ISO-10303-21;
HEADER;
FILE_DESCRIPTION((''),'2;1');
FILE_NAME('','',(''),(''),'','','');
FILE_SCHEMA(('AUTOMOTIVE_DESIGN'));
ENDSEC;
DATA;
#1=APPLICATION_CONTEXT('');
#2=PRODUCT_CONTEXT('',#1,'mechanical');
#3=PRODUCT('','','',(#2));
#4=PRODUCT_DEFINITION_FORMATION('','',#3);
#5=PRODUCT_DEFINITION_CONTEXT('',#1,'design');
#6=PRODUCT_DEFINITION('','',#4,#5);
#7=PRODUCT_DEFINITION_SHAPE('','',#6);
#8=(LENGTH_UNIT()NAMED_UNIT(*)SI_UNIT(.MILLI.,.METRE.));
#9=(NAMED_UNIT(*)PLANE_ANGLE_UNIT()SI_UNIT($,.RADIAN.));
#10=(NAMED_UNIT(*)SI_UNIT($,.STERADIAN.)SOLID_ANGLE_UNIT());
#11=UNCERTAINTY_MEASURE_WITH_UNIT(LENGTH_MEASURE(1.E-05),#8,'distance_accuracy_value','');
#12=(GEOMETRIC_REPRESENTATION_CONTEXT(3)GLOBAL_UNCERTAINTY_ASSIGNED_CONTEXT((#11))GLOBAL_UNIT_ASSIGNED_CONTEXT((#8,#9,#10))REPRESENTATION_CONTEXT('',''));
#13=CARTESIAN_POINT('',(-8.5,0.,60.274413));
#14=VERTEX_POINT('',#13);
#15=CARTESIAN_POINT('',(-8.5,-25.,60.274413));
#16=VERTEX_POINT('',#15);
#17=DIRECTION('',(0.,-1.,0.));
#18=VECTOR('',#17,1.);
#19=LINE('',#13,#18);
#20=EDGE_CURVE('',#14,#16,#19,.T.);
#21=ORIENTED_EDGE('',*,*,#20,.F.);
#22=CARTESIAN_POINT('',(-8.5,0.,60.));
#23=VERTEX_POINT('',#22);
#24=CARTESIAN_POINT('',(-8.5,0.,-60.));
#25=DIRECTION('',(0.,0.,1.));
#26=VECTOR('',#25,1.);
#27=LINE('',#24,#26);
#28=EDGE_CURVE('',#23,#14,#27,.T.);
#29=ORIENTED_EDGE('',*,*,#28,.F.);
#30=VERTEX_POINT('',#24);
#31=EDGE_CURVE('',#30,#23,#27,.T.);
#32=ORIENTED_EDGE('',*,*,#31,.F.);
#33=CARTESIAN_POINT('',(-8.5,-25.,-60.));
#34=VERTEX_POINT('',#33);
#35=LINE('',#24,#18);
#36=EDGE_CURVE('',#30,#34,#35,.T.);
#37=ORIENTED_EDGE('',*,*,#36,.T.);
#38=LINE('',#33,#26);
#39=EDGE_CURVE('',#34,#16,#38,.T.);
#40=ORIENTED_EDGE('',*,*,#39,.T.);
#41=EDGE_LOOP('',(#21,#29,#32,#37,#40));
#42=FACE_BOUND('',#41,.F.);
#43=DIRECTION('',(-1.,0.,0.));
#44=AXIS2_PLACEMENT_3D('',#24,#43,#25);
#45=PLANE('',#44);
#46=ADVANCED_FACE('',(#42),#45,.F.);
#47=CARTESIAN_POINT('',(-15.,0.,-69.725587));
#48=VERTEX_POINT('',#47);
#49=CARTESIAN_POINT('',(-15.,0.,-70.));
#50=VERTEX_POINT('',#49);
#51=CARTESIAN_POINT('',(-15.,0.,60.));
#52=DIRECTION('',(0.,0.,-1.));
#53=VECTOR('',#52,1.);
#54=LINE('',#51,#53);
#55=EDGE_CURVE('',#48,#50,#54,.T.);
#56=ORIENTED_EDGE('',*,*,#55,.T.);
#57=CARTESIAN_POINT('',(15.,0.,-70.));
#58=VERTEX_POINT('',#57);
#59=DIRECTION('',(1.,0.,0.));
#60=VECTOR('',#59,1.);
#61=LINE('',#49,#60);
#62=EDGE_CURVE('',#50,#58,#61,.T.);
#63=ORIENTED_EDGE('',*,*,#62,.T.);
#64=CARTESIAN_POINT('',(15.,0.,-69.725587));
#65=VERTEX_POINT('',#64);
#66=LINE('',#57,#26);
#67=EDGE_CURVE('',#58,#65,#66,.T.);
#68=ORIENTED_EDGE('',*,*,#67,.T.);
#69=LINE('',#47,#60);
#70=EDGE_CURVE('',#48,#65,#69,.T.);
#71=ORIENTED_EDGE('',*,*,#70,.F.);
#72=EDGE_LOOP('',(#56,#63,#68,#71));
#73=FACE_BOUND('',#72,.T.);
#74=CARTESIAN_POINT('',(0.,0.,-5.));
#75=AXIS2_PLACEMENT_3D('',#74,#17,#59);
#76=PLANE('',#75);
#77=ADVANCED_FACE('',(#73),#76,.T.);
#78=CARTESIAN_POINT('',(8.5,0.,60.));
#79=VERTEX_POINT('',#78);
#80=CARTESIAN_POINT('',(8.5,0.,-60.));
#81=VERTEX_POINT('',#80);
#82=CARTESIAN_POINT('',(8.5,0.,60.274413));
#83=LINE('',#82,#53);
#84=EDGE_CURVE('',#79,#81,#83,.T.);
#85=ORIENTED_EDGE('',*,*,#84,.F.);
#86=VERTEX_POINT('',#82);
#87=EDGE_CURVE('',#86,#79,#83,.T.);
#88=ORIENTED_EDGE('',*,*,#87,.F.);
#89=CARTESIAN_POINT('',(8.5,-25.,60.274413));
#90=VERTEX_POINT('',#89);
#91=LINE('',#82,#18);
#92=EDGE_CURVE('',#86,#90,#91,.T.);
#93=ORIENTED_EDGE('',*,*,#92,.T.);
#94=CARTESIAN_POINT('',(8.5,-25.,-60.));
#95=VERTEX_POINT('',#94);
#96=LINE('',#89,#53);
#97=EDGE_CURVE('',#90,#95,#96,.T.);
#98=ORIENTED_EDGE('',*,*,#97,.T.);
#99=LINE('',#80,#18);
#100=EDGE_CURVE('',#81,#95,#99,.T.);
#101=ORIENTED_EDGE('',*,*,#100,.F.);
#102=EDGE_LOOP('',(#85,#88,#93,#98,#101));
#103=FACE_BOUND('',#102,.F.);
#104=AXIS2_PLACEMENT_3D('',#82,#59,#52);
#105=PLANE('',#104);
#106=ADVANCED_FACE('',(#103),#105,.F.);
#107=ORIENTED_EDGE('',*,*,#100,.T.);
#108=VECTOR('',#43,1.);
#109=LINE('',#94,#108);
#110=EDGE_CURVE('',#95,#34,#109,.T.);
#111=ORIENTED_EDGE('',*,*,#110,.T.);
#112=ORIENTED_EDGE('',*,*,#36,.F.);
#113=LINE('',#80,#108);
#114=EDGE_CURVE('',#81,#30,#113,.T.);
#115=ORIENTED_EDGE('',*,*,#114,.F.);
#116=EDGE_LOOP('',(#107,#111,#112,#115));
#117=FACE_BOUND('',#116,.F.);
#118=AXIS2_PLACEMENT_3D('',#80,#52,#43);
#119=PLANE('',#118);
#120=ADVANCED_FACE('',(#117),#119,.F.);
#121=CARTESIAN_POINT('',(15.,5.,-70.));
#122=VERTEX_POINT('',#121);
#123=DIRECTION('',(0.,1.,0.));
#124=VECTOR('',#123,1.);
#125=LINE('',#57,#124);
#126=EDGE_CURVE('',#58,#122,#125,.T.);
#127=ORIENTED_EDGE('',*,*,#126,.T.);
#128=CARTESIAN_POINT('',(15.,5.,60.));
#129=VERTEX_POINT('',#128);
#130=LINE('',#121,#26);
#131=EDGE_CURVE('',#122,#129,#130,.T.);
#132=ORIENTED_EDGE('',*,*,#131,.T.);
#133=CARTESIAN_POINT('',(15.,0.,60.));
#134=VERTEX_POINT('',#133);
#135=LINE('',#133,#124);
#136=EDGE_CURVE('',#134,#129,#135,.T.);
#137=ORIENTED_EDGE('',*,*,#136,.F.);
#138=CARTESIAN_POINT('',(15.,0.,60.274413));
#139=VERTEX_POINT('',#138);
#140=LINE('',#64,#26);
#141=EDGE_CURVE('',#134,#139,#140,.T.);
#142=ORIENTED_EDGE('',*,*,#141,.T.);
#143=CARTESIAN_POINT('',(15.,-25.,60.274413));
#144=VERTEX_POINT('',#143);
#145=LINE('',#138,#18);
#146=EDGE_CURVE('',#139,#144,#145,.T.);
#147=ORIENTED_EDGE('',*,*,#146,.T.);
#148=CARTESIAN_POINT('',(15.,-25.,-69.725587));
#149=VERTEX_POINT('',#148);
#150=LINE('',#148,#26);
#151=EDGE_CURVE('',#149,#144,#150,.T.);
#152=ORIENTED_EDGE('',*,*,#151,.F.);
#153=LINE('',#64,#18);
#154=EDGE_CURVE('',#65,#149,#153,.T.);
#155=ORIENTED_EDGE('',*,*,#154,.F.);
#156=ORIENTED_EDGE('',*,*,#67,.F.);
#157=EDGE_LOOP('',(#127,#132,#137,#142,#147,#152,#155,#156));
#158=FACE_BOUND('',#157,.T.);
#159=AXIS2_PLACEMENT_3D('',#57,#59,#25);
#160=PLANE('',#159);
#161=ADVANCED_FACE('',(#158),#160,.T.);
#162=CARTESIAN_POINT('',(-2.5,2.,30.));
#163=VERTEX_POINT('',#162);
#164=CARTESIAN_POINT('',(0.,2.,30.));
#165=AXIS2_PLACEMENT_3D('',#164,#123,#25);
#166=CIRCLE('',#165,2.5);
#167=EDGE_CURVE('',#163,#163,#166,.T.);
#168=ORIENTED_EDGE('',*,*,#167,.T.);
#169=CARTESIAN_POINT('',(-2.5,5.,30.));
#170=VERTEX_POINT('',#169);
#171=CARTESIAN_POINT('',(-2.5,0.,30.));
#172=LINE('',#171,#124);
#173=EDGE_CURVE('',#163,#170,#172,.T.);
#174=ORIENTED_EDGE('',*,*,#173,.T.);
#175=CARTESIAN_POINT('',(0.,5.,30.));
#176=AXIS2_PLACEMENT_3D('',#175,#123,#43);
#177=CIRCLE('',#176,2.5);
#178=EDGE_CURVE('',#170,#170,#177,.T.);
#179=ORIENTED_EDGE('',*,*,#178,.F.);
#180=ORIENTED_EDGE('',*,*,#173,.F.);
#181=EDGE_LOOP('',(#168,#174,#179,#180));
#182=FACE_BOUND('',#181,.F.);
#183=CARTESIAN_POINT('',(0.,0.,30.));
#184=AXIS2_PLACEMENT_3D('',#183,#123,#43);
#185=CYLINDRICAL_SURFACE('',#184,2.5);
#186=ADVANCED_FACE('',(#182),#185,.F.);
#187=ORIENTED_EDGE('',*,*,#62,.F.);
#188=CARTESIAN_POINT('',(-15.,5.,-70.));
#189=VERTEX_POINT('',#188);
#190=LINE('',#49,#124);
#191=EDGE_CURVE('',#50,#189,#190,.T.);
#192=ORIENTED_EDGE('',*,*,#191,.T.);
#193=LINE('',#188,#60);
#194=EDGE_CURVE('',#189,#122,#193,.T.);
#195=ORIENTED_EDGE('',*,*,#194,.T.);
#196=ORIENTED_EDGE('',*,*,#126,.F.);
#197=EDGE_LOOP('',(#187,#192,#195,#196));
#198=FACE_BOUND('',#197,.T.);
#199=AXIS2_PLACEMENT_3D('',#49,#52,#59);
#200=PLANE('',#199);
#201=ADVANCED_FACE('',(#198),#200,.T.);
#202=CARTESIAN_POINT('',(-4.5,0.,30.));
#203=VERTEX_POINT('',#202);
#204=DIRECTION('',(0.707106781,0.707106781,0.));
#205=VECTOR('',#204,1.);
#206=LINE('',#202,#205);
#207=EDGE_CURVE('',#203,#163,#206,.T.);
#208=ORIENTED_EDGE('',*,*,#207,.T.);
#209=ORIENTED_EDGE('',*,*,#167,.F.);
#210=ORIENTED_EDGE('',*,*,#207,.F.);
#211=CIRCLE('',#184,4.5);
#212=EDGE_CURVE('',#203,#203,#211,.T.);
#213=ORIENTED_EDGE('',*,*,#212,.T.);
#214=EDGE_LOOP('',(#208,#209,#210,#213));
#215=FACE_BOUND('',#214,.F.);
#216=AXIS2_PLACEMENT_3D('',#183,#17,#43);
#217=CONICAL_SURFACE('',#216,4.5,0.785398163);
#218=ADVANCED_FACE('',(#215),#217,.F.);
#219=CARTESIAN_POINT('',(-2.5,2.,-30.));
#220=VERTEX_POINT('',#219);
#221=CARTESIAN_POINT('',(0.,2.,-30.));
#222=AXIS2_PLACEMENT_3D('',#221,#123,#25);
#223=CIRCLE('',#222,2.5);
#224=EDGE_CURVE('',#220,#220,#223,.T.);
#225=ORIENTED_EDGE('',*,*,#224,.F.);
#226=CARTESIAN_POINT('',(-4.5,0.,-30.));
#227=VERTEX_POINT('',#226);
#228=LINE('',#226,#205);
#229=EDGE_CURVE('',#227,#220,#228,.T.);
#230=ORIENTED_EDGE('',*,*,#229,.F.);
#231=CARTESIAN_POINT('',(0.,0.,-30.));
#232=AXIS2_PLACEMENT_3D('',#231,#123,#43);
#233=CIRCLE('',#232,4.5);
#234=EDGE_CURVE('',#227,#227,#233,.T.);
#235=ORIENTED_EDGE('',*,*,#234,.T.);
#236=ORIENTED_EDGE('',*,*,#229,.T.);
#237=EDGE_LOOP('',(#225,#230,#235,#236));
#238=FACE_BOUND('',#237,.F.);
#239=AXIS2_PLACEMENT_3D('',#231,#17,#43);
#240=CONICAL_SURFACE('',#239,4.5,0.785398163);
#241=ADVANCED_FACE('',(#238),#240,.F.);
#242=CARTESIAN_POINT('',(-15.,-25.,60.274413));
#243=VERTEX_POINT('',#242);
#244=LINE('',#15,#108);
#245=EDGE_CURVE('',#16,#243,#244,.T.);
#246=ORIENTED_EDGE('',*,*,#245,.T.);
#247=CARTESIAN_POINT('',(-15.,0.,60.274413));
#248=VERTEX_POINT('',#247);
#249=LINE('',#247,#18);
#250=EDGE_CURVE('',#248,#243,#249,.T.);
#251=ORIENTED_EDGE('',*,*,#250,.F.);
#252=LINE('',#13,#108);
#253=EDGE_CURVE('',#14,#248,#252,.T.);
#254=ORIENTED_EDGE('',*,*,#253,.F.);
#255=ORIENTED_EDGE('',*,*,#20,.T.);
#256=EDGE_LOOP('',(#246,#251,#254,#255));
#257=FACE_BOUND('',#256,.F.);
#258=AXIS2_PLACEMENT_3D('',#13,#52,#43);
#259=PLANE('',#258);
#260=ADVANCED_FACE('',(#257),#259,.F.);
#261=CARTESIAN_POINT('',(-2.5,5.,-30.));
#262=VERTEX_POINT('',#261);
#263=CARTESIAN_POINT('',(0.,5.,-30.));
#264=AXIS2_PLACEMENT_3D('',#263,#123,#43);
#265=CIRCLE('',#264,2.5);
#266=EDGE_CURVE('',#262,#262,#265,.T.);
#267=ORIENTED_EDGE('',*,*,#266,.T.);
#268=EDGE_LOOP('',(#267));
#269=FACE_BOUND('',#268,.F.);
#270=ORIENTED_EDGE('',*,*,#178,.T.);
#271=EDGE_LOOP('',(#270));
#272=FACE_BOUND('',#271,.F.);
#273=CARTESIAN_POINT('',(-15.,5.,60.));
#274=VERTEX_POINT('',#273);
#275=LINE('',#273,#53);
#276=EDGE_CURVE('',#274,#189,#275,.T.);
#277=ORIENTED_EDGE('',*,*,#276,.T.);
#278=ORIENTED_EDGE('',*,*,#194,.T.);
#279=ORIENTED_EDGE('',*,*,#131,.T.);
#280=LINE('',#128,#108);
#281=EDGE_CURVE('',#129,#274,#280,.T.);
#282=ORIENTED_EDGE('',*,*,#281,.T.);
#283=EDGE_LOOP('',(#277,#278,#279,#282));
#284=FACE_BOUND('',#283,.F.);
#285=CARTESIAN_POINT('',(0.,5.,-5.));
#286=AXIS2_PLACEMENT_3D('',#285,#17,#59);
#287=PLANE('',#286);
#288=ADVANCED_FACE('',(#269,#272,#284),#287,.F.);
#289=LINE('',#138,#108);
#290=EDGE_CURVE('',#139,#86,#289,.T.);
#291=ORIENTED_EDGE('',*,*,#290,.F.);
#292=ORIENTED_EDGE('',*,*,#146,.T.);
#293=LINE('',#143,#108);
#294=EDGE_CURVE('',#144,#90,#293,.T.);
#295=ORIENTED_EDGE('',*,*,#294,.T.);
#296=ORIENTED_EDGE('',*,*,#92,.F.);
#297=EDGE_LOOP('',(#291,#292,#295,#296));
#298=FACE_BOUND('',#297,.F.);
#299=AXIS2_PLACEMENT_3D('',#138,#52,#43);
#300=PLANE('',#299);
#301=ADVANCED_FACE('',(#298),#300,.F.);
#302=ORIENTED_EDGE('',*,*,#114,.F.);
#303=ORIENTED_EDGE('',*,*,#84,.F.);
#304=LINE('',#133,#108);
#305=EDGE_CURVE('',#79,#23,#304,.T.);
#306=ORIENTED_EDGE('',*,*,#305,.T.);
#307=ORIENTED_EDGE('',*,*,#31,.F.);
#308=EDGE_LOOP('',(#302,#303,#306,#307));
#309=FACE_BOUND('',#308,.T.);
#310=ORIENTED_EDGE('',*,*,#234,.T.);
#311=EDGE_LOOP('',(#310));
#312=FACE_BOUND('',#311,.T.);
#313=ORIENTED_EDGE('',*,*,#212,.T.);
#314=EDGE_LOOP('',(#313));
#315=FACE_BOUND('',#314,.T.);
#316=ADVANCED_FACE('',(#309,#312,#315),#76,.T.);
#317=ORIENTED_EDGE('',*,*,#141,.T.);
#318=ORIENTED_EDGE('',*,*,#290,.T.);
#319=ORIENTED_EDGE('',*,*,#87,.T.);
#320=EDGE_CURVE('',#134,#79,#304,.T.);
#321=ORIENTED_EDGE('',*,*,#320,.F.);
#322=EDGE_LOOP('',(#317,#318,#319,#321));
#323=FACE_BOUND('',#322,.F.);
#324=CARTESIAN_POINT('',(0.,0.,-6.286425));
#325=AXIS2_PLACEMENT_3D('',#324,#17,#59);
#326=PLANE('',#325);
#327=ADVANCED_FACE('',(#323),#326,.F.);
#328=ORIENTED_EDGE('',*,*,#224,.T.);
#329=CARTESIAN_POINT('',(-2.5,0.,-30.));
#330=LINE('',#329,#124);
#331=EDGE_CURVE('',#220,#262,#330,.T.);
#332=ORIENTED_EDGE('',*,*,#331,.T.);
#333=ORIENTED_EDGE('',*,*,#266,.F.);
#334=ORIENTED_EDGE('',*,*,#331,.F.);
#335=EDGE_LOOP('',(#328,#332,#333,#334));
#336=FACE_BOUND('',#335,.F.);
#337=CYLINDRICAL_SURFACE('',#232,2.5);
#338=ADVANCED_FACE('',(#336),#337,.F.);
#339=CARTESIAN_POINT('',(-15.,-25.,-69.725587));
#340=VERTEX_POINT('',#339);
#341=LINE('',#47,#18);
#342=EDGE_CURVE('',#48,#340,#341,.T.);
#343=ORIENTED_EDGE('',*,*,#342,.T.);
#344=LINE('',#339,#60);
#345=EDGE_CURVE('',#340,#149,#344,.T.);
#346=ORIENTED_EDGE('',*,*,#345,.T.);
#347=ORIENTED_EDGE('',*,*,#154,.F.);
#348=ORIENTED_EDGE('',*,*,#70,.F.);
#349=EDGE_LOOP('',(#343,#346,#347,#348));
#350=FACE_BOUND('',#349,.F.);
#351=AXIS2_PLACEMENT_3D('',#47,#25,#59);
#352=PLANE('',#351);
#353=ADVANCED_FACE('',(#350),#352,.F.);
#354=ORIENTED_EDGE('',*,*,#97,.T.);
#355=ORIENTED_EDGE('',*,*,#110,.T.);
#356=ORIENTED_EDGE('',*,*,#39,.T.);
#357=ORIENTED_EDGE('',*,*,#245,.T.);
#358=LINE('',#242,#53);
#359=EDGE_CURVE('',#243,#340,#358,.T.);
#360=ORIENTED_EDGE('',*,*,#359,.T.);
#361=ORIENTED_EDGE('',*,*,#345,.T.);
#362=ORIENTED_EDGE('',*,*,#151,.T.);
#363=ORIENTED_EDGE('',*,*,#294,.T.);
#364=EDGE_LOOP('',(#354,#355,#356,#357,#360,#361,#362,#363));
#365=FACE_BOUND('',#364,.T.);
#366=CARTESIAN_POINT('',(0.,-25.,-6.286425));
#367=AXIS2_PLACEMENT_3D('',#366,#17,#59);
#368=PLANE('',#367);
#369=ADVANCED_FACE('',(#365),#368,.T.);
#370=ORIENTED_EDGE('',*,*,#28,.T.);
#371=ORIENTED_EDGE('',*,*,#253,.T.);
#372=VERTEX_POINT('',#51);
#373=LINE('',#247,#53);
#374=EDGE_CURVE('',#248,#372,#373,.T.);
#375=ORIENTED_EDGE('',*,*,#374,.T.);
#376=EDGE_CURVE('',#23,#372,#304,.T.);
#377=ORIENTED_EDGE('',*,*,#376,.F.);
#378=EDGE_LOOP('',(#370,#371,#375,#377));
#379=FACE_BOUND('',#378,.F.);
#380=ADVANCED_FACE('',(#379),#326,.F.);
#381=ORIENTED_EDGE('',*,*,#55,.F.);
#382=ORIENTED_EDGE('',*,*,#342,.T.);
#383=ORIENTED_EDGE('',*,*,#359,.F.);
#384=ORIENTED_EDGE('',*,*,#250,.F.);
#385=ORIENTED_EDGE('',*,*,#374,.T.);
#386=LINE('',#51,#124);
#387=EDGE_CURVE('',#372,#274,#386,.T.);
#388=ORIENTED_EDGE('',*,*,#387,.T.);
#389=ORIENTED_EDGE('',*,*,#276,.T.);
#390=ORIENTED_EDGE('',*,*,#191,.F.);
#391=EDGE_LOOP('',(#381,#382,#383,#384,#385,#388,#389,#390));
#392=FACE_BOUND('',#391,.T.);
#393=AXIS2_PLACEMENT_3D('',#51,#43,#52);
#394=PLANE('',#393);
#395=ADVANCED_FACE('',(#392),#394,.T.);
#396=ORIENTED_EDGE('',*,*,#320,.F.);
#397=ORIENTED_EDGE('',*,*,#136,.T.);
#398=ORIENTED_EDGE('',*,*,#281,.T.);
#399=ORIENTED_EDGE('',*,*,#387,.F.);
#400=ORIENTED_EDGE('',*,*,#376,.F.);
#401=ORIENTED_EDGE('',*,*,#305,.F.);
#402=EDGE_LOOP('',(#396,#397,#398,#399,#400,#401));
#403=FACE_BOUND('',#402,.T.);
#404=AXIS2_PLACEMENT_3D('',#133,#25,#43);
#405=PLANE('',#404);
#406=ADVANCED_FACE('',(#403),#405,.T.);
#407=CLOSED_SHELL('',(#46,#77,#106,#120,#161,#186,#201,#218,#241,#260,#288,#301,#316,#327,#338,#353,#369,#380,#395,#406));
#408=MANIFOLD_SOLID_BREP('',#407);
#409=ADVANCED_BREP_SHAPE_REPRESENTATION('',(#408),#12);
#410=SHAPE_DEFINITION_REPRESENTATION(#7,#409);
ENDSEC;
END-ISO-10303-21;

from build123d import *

# Parameters (mm, degrees)
F1_DEPTH       = 25
F2_R           = 1.2421542977
F3_DEPTH       = 5
F4_D           = 5
F4_CSINK_D     = 9
F4_CSINK_ANGLE = 90


with BuildPart() as f1:
    # F0 (on Front) → F1 (new body)
    with BuildSketch(Plane.XZ):
        Polygon((-8.5, -60), (-8.5, 60.2744125164), (-15, 60.2744125164), (-15, -69.7255874836), (15, -69.7255874836), (15, 60.2744125164), (8.5, 60.2744125164), (8.5, -60), align=None)
    extrude(amount=F1_DEPTH)

    # F2 (on Front) → F3 (join)
    with BuildSketch(Plane.XZ):
        Polygon((15, -70), (15, 0), (15, 60), (-15, 60), (-15, 0), (-15, -70), align=None)
        with Locations((0, -30)):
            Circle(F2_R, mode=Mode.SUBTRACT)
    extrude(amount=-F3_DEPTH)

    # F4 (through all)
    with Locations(Plane.XZ):
        with Locations((0, 30), (0, -30)):
            CounterSinkHole(F4_D / 2, F4_CSINK_D / 2, counter_sink_angle=F4_CSINK_ANGLE)


solid = f1.part
